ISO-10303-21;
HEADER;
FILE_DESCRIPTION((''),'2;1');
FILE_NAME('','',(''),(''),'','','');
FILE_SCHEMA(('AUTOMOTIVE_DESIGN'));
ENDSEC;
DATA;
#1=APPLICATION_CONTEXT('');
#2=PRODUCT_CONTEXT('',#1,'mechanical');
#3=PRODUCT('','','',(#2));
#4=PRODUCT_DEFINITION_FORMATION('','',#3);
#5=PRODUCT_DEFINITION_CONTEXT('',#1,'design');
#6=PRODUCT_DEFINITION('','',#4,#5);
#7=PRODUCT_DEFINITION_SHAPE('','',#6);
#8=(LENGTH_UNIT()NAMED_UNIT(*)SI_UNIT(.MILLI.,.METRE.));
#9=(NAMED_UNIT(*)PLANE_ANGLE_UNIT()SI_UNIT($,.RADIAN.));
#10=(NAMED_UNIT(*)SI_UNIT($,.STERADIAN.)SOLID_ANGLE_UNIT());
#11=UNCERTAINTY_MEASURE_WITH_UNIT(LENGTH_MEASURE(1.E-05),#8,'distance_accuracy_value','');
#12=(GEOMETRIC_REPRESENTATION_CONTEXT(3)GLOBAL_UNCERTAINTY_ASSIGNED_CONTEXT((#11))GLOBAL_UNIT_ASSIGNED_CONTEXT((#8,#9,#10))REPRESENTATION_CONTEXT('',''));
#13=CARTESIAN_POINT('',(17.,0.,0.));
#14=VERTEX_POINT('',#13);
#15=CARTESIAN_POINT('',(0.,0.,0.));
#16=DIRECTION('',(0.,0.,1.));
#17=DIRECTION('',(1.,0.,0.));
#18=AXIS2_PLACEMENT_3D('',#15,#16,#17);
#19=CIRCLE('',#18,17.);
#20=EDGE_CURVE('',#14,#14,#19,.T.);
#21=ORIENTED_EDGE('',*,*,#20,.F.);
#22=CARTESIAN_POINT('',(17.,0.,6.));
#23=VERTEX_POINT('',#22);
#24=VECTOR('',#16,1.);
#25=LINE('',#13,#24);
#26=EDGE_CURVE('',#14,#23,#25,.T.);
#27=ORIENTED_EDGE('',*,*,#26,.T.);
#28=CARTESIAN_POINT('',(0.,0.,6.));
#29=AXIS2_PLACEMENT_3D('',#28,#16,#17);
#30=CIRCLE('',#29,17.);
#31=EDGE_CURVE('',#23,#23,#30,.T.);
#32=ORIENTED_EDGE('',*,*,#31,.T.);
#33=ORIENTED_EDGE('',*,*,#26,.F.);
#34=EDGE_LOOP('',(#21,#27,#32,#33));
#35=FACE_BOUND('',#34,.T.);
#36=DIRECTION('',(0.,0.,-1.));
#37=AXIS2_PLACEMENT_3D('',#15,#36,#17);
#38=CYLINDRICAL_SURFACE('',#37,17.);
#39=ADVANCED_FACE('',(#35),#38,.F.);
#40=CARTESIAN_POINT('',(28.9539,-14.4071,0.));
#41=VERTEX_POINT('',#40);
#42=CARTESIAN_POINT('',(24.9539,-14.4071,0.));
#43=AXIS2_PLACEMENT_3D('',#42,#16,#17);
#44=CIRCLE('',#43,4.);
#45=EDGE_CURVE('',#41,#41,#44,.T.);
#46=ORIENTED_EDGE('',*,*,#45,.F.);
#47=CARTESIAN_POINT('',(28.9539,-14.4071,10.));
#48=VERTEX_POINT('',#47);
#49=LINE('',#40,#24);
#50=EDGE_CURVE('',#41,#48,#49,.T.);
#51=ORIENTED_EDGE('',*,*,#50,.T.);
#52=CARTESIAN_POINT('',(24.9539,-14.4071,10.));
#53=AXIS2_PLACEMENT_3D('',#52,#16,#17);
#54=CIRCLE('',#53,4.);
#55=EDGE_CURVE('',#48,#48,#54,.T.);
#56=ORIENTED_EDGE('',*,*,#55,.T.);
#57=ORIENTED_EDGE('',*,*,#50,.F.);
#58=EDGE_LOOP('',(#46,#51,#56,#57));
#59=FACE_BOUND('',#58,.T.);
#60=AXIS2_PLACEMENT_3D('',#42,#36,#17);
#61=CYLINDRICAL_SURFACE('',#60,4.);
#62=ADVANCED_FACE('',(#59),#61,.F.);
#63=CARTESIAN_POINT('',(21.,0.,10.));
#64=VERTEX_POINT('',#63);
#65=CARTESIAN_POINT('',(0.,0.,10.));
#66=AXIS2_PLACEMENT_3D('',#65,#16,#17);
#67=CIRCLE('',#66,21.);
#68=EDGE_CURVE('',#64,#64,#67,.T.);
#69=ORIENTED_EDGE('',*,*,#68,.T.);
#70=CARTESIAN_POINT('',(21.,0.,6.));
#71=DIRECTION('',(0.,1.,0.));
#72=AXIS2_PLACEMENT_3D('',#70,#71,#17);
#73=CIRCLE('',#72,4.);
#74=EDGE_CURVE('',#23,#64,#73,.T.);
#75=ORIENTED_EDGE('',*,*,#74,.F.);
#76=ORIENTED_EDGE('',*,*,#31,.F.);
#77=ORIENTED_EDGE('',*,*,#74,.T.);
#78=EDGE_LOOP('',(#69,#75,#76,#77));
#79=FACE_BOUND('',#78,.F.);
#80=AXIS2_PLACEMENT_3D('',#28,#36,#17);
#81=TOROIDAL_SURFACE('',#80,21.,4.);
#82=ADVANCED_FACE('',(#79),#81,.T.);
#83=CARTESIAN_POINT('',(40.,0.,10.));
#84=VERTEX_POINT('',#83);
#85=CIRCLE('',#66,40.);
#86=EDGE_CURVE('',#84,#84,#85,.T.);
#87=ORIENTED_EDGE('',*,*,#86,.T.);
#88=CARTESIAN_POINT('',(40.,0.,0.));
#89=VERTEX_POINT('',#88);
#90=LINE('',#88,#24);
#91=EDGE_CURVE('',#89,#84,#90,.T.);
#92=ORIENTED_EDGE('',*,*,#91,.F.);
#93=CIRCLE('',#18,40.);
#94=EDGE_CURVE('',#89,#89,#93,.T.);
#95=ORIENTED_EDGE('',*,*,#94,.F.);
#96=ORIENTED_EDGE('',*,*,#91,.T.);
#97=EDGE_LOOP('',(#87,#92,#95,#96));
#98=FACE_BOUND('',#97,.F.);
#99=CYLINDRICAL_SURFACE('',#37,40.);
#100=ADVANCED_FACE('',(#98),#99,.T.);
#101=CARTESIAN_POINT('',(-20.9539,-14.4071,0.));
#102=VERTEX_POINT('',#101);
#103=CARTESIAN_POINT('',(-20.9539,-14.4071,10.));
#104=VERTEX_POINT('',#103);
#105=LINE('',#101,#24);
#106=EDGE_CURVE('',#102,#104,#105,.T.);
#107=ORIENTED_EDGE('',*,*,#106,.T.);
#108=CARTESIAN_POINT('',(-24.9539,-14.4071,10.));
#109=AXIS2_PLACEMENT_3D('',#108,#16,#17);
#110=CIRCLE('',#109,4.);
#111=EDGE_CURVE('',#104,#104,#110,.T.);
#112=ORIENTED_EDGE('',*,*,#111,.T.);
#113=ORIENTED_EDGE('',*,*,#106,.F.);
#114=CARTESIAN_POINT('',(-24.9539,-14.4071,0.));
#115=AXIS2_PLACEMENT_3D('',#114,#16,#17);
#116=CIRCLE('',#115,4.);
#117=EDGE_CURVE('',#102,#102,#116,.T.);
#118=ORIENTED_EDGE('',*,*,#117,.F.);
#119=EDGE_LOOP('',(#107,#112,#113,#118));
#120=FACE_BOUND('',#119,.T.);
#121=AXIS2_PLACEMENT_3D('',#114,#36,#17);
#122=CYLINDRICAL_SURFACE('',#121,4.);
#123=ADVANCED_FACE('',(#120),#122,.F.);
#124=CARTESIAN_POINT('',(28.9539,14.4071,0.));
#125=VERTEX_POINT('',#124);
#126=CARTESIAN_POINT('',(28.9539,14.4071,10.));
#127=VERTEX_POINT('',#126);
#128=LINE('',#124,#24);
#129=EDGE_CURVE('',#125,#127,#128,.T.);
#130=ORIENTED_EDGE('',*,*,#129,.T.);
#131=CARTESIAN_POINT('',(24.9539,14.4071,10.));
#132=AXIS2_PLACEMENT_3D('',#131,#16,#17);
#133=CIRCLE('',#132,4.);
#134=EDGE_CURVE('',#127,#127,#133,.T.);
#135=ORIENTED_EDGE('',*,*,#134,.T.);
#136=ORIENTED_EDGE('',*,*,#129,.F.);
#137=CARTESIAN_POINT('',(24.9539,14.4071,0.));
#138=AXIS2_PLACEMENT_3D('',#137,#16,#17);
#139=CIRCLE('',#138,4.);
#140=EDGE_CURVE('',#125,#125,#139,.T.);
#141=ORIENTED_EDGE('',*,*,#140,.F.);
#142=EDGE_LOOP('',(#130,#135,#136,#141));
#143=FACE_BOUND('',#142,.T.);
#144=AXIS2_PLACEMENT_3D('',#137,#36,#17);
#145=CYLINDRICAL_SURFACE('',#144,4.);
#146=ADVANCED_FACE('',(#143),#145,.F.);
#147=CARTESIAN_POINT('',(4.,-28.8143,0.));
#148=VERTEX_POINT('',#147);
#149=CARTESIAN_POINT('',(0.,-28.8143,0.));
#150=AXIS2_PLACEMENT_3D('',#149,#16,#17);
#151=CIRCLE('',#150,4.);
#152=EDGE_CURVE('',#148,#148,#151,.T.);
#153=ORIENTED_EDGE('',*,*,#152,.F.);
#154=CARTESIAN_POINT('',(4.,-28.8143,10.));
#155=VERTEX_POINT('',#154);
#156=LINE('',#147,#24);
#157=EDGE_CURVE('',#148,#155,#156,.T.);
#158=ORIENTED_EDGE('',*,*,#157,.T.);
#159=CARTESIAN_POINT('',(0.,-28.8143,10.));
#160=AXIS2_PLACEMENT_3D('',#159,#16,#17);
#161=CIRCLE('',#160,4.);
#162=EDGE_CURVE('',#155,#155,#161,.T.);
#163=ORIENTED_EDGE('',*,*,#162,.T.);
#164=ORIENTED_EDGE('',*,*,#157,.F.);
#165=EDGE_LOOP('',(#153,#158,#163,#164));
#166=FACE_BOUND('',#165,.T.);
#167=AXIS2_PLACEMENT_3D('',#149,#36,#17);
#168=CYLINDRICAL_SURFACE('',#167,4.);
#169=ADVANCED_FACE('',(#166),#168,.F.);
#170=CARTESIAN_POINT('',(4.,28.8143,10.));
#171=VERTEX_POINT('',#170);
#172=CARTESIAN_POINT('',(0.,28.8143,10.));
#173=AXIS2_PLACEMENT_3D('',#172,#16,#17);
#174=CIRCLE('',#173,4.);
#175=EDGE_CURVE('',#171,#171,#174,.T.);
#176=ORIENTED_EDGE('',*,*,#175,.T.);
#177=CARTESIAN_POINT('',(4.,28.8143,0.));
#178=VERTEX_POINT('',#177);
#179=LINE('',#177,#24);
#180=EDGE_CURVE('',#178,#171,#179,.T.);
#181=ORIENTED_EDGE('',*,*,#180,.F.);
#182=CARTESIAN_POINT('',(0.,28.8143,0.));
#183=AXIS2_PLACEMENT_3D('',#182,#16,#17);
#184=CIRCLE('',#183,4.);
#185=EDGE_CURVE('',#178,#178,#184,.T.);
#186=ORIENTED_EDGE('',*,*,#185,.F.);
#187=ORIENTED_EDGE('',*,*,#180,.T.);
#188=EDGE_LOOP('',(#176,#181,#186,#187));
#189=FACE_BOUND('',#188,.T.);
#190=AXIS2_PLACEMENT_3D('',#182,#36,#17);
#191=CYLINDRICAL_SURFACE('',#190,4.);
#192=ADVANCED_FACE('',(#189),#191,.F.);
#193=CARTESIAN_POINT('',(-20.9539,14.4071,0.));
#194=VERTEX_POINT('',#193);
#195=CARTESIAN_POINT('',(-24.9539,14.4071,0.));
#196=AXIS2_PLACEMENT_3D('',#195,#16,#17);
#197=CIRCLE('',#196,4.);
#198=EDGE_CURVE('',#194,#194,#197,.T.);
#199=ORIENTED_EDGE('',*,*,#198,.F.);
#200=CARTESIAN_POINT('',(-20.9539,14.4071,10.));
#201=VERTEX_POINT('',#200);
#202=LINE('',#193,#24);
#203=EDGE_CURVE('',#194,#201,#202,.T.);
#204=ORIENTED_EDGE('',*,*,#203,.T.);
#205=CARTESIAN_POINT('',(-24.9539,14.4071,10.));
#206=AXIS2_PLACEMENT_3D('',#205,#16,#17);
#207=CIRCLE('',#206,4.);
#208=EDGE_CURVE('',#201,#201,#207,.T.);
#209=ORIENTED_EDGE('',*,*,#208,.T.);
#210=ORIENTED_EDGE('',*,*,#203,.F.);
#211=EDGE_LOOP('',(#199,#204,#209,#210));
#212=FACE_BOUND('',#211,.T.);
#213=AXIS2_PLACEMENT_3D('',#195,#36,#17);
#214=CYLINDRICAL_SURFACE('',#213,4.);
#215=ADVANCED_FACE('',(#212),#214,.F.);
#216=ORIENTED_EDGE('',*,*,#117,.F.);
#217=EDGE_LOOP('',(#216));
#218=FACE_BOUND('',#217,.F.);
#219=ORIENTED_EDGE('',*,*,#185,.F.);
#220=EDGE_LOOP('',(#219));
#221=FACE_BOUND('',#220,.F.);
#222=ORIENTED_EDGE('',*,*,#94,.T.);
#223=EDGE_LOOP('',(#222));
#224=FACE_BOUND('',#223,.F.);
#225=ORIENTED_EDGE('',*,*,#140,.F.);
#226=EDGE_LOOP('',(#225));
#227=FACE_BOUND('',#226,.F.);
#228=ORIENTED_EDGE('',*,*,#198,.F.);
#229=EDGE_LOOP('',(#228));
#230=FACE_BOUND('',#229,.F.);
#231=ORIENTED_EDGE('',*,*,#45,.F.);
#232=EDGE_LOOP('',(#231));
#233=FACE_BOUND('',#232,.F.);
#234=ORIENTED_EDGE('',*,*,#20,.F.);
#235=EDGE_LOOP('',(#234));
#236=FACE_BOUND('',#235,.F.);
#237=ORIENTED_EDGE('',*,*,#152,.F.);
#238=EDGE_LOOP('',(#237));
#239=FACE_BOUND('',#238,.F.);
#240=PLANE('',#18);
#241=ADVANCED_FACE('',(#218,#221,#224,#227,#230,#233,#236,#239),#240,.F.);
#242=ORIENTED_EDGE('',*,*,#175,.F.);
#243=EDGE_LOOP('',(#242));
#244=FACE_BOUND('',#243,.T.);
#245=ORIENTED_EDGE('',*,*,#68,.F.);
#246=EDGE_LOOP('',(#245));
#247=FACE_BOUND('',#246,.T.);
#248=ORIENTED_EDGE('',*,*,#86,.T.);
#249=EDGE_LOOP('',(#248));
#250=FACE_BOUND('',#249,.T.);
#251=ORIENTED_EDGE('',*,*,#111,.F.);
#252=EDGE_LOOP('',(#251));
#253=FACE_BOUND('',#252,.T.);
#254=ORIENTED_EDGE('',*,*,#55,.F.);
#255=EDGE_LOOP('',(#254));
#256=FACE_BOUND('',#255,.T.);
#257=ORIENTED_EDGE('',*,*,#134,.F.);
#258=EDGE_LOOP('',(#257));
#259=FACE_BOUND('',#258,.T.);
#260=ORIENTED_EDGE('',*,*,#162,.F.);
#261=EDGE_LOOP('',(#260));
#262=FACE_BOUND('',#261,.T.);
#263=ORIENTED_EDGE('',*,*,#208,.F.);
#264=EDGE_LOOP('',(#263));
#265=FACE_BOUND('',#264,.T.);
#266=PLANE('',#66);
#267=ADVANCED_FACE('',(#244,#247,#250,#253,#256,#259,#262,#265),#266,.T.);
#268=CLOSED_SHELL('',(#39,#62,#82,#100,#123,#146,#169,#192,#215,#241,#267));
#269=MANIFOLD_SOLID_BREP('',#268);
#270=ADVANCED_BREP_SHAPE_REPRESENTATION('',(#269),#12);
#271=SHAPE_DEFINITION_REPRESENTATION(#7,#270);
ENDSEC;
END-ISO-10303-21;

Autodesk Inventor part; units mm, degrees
ref_plane "YZ Plane" through (0, 0, 0) normal (1, 0, 0) x (0, 1, 0)
ref_plane "XZ Plane" through (0, 0, 0) normal (0, 1, 0) x (-1, 0, 0)
ref_plane "XY Plane" through (0, 0, 0) normal (0, 0, 1) x (1, 0, 0)
sketch "Sketch1" plane through (0, 0, 0) normal (0, 0, 1) x (1, 0, 0)
  point P0 (0, 0)
sketch "Sketch2" plane through (0, 0, 0) normal (0, 0, 1) x (1, 0, 0)
  circle A0 centre (0, 0) radius 40
  circle A1 centre (0, 0) radius 17
  circle A2 centre (0, 28.8143) radius 4
  circle A3 centre (-24.9539, 14.4071) radius 4
  circle A4 centre (-24.9539, -14.4071) radius 4
  circle A5 centre (0, -28.8143) radius 4
  circle A6 centre (24.9539, -14.4071) radius 4
  circle A7 centre (24.9539, 14.4071) radius 4
  dimension "d0" = 80
  dimension "d1" = 34
  dimension "d2" = 8
  dimension "d5" = 360
extrude "Extrusion1" add sketch "Sketch2" along normal blind 10
fillet "Fillet1" radius 4 1 edges at (-17, 0, 10)
properties part number "RODADURA NUEVA 222"
